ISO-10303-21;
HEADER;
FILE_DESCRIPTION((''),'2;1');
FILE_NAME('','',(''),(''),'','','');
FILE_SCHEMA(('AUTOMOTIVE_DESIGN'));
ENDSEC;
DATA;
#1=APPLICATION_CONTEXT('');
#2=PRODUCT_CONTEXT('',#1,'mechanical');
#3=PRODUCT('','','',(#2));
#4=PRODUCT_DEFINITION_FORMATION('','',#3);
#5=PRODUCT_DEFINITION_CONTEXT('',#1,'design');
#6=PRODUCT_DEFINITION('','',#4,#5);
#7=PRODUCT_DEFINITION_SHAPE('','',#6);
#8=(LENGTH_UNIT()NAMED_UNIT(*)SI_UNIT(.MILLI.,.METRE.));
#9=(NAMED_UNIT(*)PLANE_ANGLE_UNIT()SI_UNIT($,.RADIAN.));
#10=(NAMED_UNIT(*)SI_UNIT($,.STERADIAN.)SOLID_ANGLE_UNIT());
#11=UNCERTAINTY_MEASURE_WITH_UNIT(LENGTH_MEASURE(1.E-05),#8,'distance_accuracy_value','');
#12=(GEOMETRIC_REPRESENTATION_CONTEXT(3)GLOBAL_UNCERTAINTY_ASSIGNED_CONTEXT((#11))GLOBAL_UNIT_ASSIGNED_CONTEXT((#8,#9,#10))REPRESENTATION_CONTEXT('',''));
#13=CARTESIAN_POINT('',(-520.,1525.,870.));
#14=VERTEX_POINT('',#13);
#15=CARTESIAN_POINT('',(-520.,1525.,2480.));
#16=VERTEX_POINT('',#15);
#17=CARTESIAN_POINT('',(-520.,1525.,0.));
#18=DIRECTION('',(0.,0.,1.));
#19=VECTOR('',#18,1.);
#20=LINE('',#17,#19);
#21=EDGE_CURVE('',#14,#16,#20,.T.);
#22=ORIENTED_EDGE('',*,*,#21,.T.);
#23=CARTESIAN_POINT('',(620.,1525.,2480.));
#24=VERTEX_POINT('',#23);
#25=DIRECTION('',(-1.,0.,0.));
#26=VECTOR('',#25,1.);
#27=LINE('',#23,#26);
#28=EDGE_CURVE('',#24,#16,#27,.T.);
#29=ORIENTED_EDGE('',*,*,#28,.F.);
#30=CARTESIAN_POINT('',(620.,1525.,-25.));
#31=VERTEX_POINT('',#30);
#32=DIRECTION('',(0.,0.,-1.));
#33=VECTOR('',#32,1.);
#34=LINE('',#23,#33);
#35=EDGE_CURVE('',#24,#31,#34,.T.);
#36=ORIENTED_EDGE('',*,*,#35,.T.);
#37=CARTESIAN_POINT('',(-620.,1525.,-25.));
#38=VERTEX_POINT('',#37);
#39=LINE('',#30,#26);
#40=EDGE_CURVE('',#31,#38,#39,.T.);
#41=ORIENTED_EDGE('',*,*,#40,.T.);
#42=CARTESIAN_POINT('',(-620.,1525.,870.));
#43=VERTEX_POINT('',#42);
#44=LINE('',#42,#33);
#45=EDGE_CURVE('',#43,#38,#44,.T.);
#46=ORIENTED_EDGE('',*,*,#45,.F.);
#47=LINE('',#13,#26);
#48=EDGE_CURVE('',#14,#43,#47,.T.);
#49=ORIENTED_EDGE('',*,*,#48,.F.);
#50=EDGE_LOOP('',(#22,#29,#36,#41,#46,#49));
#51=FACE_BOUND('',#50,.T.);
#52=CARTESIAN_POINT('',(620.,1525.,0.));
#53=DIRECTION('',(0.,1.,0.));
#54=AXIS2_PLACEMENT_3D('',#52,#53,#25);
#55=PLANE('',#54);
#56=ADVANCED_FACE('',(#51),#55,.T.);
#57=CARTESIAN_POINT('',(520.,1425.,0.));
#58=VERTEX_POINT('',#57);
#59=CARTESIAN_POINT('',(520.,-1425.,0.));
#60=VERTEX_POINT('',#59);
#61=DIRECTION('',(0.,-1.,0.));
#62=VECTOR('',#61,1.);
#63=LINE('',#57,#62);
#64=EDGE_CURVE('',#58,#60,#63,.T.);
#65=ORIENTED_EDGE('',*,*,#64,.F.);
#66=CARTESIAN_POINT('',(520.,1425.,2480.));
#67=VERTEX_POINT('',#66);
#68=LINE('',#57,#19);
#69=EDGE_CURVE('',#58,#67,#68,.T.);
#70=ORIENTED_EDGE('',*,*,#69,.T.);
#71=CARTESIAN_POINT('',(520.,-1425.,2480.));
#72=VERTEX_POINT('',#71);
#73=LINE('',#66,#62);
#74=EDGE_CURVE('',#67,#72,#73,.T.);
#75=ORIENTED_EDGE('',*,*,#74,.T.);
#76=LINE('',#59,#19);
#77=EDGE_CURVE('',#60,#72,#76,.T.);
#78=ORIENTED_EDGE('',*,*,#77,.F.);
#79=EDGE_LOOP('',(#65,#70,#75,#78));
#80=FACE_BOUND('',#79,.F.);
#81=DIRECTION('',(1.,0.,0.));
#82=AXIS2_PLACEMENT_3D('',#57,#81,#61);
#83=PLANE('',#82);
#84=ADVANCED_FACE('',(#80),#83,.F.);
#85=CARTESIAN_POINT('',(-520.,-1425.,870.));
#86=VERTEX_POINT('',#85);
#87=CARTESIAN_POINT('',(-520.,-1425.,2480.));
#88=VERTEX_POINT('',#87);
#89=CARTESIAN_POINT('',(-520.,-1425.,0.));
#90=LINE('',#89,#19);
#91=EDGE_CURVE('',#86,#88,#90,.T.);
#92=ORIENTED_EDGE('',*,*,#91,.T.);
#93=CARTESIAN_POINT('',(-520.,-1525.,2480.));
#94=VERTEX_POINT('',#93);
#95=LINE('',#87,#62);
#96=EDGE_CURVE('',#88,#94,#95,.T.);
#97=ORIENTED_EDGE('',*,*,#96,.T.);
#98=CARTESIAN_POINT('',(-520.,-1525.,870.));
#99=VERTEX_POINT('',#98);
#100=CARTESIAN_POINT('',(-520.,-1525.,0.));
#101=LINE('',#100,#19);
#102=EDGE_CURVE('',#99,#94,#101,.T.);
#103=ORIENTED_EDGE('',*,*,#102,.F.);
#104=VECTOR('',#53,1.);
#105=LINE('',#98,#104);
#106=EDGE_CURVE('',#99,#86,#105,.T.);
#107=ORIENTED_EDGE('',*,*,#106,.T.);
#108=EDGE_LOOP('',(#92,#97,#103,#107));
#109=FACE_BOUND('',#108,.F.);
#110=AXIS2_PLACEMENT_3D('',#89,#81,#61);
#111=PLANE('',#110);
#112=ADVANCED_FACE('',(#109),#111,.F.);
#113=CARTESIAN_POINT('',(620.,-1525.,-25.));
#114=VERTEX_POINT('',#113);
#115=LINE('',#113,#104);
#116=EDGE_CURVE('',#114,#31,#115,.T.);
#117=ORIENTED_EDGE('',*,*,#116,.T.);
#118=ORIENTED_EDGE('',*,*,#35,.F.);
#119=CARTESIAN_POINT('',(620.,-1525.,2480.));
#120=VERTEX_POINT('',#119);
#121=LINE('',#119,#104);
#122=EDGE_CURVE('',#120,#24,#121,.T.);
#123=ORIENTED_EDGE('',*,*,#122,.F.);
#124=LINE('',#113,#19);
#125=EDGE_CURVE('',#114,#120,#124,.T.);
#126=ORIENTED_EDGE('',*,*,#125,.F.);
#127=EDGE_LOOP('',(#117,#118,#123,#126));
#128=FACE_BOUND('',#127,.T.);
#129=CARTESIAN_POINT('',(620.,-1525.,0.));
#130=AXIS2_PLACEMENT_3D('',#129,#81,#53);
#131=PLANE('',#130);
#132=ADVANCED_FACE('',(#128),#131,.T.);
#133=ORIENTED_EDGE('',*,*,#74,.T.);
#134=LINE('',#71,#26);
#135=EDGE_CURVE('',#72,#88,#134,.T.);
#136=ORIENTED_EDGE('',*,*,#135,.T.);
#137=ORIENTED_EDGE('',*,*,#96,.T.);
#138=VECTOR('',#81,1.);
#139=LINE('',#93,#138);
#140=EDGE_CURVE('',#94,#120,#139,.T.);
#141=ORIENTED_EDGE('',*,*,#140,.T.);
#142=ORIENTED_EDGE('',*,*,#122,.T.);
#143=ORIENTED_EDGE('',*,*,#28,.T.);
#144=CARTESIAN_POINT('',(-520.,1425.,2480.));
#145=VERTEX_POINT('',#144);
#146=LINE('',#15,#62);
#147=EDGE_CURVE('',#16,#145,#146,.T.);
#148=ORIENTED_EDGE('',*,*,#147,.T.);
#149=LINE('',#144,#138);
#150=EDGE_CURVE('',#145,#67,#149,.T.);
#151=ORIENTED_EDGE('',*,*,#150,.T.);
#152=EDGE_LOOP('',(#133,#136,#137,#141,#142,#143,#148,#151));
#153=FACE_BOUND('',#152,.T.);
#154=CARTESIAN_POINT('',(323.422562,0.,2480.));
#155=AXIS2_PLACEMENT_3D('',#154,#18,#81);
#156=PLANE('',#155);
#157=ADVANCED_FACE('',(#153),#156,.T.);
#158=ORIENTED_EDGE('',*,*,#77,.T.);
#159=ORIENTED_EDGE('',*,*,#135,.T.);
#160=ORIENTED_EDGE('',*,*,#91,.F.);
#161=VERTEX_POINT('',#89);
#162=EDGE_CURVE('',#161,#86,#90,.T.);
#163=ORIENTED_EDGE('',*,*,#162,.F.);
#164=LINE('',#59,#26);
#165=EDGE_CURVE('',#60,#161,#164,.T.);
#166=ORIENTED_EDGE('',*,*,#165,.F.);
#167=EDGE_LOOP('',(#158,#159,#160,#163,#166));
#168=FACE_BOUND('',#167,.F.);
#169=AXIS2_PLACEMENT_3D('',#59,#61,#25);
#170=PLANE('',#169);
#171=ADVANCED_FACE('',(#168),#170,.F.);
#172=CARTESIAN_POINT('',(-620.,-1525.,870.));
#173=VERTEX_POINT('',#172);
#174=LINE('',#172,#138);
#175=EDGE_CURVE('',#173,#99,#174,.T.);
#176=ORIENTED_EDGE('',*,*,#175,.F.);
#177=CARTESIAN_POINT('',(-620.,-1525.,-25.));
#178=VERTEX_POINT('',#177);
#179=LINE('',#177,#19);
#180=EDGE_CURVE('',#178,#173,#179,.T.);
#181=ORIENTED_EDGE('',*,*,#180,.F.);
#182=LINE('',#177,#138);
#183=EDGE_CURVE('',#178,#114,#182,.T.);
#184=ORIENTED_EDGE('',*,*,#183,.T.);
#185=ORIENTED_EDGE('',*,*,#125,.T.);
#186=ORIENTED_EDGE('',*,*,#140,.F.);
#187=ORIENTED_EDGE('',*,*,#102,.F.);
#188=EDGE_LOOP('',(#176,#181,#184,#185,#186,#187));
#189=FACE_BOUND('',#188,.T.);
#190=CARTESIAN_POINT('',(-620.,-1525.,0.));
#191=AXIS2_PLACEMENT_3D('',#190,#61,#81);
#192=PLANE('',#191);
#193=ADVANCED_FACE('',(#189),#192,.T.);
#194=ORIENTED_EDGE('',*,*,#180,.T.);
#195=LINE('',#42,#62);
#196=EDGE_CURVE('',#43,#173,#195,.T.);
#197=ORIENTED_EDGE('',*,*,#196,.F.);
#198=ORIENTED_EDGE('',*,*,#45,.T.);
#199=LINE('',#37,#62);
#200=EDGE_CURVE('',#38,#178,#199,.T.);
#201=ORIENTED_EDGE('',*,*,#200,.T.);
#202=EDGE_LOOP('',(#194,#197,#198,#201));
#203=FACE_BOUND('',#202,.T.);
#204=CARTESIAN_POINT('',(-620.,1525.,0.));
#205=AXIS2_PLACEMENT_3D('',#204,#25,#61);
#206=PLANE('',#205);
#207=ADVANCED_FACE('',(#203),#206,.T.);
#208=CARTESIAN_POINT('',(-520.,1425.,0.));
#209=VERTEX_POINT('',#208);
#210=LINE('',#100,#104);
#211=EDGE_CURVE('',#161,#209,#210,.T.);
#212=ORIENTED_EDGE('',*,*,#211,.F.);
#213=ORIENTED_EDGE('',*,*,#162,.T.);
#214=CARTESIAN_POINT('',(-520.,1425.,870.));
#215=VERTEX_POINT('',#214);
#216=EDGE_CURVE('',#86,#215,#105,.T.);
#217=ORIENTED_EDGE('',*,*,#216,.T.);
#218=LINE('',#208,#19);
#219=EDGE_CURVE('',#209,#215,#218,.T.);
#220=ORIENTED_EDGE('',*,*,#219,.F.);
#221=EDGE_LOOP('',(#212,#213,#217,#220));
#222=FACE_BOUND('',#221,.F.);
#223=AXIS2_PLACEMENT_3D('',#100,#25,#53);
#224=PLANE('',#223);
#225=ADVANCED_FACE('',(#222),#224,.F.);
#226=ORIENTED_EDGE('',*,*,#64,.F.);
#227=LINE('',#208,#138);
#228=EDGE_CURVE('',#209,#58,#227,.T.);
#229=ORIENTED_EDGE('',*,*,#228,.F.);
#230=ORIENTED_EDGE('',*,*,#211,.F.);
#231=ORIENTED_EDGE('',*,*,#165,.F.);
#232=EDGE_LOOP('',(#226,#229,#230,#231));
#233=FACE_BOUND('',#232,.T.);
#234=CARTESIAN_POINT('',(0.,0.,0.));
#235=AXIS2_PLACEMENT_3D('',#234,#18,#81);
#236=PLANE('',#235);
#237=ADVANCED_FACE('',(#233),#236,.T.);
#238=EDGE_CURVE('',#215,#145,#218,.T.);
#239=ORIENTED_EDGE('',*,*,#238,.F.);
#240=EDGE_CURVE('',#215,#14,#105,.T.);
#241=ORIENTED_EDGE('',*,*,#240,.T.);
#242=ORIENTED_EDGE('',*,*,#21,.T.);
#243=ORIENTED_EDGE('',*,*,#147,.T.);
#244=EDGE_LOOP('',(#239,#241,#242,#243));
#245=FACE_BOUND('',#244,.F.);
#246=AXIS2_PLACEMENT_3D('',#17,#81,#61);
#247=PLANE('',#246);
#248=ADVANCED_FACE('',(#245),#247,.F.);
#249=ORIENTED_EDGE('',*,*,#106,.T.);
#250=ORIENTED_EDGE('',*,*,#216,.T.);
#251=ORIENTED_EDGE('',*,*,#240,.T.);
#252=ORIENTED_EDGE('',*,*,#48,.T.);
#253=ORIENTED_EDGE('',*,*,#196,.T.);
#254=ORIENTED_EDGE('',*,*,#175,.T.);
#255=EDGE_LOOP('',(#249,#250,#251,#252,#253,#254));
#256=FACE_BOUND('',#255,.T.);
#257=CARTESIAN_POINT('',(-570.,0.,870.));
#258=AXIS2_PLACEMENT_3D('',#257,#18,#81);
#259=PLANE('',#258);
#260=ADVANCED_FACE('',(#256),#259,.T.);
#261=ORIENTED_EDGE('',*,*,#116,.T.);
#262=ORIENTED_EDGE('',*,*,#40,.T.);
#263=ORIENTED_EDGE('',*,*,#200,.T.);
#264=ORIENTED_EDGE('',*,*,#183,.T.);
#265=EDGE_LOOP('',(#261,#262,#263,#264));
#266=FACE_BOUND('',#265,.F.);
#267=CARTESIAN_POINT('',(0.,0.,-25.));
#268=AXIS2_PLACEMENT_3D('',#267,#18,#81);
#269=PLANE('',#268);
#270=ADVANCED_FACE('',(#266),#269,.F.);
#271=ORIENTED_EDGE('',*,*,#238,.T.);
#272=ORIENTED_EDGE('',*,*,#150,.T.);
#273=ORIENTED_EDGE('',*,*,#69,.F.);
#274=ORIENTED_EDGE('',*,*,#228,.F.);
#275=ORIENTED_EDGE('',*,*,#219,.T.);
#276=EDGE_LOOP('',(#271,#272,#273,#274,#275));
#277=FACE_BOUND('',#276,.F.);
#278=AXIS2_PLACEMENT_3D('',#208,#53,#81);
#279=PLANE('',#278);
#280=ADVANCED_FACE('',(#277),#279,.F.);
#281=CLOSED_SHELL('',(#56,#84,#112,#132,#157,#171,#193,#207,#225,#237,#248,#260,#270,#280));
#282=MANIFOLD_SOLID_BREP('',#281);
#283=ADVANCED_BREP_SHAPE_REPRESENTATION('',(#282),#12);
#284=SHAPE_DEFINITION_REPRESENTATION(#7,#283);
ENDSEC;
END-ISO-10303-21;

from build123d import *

# Parameters (mm, degrees)
F1_DEPTH = 870
F2_DEPTH = 2480
F0_W     = 1040
F0_H     = 2850
F3_DEPTH = 25


with BuildPart() as f1:
    # F0 (on Top) → F1 (new body)
    with BuildSketch(Plane.XY):
        Polygon((-520, -1525), (-520, -1425), (-520, 1425), (-520, 1525), (-620, 1525), (-620, -1525), align=None)
    extrude(amount=F1_DEPTH)

    # F0 (on Top) → F2 (join)
    with BuildSketch(Plane.XY):
        Polygon((520, 1425), (520, -1425), (-520, -1425), (-520, -1525), (620, -1525), (620, 1525), (-520, 1525), (-520, 1425), align=None)
    extrude(amount=F2_DEPTH)

    # F0 (on Top) → F3 (join)
    with BuildSketch(Plane.XY):
        Rectangle(F0_W, F0_H)
        Polygon((-520, -1525), (-520, -1425), (-520, 1425), (-520, 1525), (-620, 1525), (-620, -1525), align=None)
        Polygon((520, 1425), (520, -1425), (-520, -1425), (-520, -1525), (620, -1525), (620, 1525), (-520, 1525), (-520, 1425), align=None)
    extrude(amount=-F3_DEPTH)


solid = f1.part
